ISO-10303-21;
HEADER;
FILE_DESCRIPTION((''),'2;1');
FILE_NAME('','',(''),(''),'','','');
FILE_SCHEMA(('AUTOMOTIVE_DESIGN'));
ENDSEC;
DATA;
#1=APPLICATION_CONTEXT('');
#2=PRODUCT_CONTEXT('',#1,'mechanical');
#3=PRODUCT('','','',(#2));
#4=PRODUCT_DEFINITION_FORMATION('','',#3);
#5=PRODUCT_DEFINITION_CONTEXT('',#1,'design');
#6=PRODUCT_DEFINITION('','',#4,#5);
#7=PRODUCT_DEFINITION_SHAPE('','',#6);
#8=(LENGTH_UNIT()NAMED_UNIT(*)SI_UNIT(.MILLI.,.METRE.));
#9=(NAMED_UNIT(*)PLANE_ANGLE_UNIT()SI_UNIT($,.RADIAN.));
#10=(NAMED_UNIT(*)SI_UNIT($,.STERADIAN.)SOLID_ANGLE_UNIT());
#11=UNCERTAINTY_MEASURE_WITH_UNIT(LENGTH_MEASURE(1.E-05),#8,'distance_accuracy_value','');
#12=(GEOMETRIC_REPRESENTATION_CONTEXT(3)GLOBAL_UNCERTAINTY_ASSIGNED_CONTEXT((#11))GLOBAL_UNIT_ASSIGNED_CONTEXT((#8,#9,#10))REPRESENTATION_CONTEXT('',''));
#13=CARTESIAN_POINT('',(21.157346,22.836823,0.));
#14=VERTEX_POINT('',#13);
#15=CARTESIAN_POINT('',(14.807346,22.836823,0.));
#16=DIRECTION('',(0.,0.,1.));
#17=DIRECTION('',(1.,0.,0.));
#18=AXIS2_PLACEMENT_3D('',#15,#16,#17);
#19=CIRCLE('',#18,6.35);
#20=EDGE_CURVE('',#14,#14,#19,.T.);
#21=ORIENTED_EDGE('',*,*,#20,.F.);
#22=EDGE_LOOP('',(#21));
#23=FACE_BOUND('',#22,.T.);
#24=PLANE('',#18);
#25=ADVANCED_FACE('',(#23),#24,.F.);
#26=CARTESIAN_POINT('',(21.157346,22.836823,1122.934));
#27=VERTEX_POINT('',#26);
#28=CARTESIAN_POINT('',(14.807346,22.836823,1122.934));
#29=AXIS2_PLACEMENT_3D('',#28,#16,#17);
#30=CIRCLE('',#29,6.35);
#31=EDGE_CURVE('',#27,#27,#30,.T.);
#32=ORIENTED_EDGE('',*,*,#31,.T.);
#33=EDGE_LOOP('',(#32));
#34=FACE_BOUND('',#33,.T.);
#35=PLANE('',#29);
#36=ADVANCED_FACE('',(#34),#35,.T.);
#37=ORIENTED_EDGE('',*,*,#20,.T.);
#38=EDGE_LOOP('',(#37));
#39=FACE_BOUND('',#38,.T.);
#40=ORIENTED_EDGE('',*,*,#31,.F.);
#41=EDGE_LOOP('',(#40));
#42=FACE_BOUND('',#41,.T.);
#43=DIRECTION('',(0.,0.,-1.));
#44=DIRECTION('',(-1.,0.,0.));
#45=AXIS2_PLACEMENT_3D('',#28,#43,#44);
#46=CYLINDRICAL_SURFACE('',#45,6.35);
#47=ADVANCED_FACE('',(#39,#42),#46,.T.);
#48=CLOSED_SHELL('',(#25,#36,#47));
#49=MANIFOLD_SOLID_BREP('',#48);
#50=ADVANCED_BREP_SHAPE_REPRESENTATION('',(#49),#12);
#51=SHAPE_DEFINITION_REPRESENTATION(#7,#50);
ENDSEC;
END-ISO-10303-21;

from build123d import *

# Parameters (mm, degrees)
SKETCH2_R           = 6.35
BOSS_EXTRUDE2_DEPTH = 1122.934


with BuildPart() as part:
    # Sketch2 → Boss-Extrude2 (new body)
    with BuildSketch(Plane.XY):
        with Locations((14.807345545, 22.836823138)):
            Circle(SKETCH2_R)
    extrude(amount=BOSS_EXTRUDE2_DEPTH)


solid = part.part
